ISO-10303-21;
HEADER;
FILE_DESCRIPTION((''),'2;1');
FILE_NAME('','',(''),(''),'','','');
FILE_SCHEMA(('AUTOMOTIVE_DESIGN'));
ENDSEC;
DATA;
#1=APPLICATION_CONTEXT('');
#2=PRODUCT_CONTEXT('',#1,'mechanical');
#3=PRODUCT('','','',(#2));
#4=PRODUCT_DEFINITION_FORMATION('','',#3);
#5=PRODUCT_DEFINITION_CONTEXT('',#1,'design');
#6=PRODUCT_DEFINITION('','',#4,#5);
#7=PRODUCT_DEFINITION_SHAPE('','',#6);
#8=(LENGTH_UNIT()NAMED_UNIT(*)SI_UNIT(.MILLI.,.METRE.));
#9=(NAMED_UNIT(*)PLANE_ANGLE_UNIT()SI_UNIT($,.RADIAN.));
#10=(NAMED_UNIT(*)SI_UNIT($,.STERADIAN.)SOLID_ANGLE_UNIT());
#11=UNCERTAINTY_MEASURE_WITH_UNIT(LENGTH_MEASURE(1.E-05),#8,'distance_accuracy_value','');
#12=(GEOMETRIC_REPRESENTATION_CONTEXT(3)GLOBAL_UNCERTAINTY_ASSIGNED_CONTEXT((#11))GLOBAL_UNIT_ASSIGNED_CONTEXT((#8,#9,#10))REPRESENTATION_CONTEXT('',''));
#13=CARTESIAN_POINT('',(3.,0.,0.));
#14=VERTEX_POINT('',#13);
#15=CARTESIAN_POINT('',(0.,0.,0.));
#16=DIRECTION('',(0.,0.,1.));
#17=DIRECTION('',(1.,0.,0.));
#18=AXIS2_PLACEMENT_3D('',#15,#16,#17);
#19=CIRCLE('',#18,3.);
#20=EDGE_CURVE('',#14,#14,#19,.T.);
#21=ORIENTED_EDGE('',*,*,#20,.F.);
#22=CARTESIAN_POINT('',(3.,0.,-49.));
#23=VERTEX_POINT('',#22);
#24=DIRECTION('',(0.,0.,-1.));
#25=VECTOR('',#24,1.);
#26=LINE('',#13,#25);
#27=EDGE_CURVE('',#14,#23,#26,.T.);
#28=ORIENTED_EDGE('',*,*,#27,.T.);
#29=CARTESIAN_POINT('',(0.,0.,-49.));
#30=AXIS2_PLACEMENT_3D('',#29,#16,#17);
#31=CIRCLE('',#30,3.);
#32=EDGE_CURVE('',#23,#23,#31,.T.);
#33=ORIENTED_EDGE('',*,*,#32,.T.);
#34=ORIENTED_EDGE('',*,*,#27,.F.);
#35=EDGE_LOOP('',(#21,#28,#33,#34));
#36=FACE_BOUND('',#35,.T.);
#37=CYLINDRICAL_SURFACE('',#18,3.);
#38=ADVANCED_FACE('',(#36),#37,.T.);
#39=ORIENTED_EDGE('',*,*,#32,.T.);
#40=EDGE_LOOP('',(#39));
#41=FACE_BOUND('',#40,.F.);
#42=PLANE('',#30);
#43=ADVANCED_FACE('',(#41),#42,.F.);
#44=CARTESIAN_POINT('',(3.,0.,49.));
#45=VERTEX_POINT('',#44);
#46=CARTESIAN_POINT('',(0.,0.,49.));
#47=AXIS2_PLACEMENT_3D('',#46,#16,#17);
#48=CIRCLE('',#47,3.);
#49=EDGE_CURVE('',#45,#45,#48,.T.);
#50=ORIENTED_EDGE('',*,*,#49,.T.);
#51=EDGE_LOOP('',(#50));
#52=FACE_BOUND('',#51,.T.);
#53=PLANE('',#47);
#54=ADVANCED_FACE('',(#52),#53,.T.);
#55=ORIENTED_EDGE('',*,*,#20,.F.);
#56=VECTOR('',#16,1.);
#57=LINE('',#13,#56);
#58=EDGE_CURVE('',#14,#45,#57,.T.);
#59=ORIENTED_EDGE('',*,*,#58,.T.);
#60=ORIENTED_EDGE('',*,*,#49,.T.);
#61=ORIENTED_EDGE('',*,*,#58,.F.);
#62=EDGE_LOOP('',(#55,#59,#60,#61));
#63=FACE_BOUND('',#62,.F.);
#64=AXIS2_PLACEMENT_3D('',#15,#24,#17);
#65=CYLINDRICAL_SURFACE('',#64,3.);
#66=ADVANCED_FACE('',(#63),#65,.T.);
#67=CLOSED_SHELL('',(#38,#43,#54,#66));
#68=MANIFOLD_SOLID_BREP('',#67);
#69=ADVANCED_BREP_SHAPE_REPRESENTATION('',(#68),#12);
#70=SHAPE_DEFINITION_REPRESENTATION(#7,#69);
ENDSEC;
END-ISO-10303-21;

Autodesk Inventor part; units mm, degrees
ref_plane "YZ Plane" through (0, 0, 0) normal (1, 0, 0) x (0, 1, 0)
ref_plane "XZ Plane" through (0, 0, 0) normal (0, 1, 0) x (-1, 0, 0)
ref_plane "XY Plane" through (0, 0, 0) normal (0, 0, 1) x (1, 0, 0)
sketch "Sketch1" plane through (0, 0, 0) normal (0, 0, 1) x (1, 0, 0)
  circle A0 centre (0, 0) radius 3
  dimension "d0" = 6
extrude "Extrusion1" add sketch "Sketch1" along normal mid plane 98
properties part number "Upper Rod Spider Crab" material "Steel, Alloy"
